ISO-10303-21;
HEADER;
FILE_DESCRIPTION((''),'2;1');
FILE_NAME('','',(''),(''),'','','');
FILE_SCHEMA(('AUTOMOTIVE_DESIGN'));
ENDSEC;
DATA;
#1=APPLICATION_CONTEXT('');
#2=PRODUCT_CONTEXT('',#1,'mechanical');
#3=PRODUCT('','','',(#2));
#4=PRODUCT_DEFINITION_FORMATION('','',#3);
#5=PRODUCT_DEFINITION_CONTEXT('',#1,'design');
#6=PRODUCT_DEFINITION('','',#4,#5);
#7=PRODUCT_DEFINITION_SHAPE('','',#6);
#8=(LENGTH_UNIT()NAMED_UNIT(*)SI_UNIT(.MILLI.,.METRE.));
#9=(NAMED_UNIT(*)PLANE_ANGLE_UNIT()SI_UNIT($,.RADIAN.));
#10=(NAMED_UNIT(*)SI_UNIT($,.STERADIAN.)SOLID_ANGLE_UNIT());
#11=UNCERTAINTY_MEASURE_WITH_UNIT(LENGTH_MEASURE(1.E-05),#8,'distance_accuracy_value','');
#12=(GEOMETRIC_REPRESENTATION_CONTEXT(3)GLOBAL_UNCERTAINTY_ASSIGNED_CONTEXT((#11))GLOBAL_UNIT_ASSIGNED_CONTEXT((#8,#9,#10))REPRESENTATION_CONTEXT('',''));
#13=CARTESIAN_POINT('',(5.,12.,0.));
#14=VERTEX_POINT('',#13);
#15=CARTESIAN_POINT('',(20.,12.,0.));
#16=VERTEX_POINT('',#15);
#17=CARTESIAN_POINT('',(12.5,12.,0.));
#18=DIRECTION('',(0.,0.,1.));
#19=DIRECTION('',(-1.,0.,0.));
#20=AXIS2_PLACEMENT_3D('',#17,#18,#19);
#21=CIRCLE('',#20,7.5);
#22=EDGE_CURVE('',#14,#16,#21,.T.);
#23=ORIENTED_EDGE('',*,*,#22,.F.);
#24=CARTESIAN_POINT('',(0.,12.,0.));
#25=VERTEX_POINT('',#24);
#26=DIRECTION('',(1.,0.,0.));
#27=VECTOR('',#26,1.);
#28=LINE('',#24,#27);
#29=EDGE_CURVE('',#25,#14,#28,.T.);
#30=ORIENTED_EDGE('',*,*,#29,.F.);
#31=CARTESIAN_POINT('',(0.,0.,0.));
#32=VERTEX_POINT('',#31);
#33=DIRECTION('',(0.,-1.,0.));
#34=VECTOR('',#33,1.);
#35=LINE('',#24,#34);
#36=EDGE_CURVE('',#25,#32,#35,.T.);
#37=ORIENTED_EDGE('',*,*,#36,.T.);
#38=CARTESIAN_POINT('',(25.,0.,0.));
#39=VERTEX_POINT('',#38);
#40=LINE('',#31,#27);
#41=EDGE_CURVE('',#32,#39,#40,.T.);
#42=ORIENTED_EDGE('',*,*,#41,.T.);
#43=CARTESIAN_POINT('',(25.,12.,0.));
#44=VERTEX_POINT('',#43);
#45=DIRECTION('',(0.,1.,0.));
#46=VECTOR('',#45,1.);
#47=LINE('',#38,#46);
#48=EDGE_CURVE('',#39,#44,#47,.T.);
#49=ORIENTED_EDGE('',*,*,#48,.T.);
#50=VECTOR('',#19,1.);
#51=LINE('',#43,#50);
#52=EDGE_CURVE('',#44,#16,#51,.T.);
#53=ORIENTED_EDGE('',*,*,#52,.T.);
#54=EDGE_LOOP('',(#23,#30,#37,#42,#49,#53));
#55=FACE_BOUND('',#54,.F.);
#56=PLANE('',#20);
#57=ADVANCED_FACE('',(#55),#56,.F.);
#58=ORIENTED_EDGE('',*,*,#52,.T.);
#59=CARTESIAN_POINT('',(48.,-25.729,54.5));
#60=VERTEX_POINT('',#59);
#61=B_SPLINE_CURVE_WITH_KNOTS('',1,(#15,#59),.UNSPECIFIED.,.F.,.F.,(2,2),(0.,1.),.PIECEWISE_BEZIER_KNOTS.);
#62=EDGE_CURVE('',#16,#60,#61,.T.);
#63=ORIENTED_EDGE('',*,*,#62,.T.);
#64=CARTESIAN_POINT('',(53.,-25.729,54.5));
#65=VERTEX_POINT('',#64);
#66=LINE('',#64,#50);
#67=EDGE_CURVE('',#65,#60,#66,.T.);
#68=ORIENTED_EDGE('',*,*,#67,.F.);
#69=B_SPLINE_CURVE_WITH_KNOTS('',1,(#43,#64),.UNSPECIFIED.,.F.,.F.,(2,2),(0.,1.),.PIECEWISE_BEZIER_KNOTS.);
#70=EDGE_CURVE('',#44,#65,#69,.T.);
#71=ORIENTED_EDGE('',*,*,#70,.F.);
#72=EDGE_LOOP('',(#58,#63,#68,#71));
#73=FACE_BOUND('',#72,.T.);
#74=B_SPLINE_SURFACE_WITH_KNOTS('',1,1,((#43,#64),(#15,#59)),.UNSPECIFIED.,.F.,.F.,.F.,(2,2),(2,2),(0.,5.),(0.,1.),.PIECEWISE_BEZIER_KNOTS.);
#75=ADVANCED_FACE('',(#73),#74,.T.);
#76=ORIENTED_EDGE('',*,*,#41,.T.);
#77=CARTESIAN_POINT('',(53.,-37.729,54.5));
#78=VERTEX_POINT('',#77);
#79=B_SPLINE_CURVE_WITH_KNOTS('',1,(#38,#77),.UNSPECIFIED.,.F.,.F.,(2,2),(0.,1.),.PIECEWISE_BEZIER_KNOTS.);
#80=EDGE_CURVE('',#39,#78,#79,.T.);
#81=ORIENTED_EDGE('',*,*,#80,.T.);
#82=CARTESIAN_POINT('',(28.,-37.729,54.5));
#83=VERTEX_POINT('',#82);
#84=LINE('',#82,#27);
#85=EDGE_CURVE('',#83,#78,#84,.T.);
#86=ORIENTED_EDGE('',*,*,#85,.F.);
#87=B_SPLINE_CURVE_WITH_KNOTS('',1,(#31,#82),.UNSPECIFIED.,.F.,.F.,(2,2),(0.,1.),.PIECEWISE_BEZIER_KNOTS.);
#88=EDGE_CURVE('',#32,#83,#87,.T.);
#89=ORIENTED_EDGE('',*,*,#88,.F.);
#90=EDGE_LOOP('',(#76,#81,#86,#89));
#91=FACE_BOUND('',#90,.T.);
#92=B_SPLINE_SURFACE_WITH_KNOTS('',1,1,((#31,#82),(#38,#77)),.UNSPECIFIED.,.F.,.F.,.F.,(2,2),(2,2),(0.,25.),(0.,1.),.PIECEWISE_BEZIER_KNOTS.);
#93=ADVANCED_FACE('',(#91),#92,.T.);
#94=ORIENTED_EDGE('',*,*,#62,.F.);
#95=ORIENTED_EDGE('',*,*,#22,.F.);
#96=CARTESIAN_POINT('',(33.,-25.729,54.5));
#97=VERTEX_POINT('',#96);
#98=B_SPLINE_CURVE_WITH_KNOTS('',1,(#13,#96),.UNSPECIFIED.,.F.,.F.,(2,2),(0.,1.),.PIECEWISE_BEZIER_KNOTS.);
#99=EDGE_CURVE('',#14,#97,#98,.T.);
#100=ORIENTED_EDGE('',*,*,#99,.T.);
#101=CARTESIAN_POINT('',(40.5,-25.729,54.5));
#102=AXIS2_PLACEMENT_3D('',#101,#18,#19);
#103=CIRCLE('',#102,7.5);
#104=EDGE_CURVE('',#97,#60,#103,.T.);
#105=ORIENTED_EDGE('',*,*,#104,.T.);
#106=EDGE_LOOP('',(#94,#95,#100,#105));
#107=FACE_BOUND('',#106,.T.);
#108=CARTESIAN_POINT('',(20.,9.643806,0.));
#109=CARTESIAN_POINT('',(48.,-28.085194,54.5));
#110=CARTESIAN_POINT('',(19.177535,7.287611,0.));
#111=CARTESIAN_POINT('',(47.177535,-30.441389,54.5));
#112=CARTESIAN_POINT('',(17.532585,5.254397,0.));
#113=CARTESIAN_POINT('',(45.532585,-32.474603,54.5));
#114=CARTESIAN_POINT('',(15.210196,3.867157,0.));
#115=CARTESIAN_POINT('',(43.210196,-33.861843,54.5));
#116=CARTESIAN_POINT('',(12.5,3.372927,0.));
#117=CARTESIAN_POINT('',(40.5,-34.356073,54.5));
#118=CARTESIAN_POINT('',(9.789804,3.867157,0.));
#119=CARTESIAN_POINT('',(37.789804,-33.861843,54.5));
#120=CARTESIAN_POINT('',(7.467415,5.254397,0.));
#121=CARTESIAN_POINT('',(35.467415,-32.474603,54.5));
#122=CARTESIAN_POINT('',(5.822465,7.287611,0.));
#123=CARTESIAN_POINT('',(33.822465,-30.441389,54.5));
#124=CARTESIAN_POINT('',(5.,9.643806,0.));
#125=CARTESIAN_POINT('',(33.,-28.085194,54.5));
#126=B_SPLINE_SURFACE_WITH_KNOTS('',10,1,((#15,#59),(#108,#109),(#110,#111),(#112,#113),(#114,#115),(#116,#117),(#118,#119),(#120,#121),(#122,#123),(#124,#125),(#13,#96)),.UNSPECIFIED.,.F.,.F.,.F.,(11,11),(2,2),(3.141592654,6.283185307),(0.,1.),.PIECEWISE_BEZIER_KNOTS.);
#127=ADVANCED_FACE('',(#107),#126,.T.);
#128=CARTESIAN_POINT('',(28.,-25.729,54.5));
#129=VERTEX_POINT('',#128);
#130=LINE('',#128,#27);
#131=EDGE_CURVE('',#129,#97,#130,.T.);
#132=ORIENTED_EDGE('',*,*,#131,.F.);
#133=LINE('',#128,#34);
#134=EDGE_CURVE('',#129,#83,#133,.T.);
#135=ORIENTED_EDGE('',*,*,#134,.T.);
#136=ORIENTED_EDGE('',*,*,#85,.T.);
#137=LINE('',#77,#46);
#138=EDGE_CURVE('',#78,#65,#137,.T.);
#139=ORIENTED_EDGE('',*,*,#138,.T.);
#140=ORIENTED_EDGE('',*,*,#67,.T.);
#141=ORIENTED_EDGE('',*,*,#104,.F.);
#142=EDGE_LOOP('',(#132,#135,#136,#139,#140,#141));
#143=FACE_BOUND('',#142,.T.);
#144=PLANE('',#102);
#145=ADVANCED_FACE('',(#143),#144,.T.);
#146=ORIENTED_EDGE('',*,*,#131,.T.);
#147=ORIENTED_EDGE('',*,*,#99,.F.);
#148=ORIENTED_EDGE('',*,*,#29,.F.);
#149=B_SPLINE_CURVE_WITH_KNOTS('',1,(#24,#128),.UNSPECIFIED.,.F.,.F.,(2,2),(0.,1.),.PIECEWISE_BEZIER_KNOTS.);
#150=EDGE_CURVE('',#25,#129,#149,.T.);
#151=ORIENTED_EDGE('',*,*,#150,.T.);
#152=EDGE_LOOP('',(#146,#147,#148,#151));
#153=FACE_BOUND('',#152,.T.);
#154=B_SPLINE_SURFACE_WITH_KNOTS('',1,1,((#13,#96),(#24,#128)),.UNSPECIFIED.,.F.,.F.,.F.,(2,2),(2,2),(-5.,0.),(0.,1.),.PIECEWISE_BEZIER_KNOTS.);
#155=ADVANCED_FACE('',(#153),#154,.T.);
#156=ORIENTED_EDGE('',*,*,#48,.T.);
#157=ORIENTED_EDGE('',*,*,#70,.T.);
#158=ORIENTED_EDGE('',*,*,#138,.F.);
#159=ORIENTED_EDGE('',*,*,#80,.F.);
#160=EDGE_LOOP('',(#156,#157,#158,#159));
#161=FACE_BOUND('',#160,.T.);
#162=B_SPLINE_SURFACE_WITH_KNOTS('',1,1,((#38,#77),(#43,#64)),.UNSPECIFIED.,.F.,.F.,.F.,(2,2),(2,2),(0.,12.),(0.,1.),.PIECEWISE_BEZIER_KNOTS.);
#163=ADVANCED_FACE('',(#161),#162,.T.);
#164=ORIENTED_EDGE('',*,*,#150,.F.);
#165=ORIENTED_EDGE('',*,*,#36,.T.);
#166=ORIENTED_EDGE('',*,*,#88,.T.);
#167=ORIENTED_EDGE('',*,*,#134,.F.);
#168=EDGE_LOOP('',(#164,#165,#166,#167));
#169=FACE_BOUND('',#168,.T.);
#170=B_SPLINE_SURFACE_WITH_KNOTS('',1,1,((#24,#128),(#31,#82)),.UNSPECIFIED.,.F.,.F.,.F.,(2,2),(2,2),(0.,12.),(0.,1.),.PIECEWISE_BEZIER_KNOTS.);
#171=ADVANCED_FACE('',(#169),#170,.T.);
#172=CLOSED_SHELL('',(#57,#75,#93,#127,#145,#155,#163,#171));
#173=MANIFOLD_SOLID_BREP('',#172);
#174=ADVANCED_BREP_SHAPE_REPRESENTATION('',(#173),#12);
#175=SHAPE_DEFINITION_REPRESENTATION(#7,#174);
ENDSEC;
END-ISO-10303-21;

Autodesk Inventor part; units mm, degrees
ref_plane "YZ Plane" through (0, 0, 0) normal (1, 0, 0) x (0, 1, 0)
ref_plane "XZ Plane" through (0, 0, 0) normal (0, 1, 0) x (-1, 0, 0)
sketch "Sketch2" plane through (0, 0, 0) normal (0, 0, 1) x (1, 0, 0)
  line L0 (0, 0) -> (25, 0)
  line L1 (25, 0) -> (25, 12)
  line L2 (0, 12) -> (0, 0)
  line L3 (0, 12) -> (5, 12)
  line L4 (25, 12) -> (20, 12)
  arc A0 (5, 12) -> (20, 12) centre (12.5, 12) ccw
  dimension "d1" = 25
  dimension "d2" = 12
  dimension "d3" = 5
  dimension "d4" = 5
  dimension "d5" = 7.5
ref_plane "Work Plane1" through (0, 0, 54.5) normal (0, 0, 1) x (1, 0, 0)
sketch "Sketch3" plane through (0, 0, 54.5) normal (0, 0, 1) x (1, 0, 0)
  line L0 (28, -25.729) -> (33, -25.729)
  line L1 (28, -25.729) -> (28, -37.729)
  line L2 (28, -37.729) -> (53, -37.729)
  line L3 (53, -37.729) -> (53, -25.729)
  line L4 (53, -25.729) -> (48, -25.729)
  arc A0 (33, -25.729) -> (48, -25.729) centre (40.5, -25.729) ccw
  point P0 (0, 0)
  dimension "d15" = 5
  dimension "d17" = 25
  dimension "d19" = 5
  dimension "d22" = 7.5
  dimension "d28" = 12
loft "Loft1" add profiles "Sketch2", "Sketch3"
sketch "Sketch4" plane through (0, 0, 0) normal (-0.8895, 0, 0.457) x (0.457, 0, 0.8895)
  point P0 (0, 0)
properties part number "Ramp Main"
